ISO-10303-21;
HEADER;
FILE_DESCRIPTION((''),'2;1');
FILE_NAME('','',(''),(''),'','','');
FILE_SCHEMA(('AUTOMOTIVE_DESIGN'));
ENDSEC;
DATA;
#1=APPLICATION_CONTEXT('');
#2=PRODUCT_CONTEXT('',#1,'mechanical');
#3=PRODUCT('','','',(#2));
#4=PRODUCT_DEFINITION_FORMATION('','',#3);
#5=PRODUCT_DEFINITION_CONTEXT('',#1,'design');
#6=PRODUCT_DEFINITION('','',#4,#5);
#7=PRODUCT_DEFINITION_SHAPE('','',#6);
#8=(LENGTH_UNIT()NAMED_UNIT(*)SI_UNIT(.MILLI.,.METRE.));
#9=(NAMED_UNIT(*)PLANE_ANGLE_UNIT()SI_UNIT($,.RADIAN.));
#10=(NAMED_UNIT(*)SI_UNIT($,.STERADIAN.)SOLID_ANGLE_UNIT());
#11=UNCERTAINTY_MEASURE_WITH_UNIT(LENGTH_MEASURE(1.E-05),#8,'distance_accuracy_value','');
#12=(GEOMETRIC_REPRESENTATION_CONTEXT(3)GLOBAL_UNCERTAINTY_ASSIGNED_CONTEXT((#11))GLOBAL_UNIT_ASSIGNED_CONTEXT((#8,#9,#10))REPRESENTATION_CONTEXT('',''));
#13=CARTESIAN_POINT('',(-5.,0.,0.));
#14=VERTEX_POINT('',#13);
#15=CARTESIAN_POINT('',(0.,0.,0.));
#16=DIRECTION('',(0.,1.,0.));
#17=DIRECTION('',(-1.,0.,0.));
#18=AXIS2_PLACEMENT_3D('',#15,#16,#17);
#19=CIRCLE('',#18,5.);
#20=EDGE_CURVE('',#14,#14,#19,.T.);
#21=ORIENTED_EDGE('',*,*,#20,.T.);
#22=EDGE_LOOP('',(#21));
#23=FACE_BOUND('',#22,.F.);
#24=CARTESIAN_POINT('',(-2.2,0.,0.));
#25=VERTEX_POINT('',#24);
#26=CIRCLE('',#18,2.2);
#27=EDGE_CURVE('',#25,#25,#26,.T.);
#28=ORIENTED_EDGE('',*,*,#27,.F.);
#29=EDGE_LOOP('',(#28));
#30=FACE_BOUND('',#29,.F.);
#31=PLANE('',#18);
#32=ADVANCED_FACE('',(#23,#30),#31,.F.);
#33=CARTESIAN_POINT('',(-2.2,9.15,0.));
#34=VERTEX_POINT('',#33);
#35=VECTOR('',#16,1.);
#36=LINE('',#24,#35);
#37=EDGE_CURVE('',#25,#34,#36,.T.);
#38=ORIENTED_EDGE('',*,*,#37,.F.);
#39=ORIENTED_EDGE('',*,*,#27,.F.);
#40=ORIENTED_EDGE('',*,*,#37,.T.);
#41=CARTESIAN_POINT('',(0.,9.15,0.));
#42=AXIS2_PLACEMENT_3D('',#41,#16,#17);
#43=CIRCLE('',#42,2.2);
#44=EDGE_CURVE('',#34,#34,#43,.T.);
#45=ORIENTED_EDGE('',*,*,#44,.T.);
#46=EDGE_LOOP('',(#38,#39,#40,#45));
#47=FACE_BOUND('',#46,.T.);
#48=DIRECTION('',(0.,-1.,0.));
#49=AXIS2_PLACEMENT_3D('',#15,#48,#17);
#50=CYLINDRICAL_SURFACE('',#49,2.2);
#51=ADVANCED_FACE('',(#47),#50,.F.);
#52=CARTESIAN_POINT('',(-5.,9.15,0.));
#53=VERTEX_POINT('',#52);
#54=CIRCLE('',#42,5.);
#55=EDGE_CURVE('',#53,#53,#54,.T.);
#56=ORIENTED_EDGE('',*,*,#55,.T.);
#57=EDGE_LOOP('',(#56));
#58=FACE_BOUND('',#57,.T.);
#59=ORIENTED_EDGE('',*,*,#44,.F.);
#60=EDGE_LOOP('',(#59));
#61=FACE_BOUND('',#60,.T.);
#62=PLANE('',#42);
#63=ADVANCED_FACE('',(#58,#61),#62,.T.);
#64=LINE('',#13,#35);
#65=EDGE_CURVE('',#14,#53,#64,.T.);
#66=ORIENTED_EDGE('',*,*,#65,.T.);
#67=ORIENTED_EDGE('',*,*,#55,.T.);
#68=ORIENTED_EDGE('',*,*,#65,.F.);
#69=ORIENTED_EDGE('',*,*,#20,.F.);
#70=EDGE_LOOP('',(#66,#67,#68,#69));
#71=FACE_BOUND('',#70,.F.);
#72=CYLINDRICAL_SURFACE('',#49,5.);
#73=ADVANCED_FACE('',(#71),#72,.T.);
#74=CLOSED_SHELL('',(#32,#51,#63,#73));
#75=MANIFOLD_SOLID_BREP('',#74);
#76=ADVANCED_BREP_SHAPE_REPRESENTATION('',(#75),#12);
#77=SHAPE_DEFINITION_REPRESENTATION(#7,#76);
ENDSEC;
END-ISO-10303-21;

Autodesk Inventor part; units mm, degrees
ref_plane "YZ Plane" through (0, 0, 0) normal (1, 0, 0) x (0, 1, 0)
ref_plane "XZ Plane" through (0, 0, 0) normal (0, 1, 0) x (-1, 0, 0)
ref_plane "XY Plane" through (0, 0, 0) normal (0, 0, 1) x (1, 0, 0)
sketch "Sketch1" plane through (0, 0, 0) normal (0, 1, 0) x (-1, 0, 0)
  circle A0 centre (0, 0) radius 5
  circle A1 centre (0, 0) radius 2.2
  dimension "d0" = 10
  dimension "d1" = 4.4
extrude "Extrusion1" add sketch "Sketch1" along normal blind 9.15
properties part number "XAxisBeltIdlerSpacer" material "ABS Plastic"
